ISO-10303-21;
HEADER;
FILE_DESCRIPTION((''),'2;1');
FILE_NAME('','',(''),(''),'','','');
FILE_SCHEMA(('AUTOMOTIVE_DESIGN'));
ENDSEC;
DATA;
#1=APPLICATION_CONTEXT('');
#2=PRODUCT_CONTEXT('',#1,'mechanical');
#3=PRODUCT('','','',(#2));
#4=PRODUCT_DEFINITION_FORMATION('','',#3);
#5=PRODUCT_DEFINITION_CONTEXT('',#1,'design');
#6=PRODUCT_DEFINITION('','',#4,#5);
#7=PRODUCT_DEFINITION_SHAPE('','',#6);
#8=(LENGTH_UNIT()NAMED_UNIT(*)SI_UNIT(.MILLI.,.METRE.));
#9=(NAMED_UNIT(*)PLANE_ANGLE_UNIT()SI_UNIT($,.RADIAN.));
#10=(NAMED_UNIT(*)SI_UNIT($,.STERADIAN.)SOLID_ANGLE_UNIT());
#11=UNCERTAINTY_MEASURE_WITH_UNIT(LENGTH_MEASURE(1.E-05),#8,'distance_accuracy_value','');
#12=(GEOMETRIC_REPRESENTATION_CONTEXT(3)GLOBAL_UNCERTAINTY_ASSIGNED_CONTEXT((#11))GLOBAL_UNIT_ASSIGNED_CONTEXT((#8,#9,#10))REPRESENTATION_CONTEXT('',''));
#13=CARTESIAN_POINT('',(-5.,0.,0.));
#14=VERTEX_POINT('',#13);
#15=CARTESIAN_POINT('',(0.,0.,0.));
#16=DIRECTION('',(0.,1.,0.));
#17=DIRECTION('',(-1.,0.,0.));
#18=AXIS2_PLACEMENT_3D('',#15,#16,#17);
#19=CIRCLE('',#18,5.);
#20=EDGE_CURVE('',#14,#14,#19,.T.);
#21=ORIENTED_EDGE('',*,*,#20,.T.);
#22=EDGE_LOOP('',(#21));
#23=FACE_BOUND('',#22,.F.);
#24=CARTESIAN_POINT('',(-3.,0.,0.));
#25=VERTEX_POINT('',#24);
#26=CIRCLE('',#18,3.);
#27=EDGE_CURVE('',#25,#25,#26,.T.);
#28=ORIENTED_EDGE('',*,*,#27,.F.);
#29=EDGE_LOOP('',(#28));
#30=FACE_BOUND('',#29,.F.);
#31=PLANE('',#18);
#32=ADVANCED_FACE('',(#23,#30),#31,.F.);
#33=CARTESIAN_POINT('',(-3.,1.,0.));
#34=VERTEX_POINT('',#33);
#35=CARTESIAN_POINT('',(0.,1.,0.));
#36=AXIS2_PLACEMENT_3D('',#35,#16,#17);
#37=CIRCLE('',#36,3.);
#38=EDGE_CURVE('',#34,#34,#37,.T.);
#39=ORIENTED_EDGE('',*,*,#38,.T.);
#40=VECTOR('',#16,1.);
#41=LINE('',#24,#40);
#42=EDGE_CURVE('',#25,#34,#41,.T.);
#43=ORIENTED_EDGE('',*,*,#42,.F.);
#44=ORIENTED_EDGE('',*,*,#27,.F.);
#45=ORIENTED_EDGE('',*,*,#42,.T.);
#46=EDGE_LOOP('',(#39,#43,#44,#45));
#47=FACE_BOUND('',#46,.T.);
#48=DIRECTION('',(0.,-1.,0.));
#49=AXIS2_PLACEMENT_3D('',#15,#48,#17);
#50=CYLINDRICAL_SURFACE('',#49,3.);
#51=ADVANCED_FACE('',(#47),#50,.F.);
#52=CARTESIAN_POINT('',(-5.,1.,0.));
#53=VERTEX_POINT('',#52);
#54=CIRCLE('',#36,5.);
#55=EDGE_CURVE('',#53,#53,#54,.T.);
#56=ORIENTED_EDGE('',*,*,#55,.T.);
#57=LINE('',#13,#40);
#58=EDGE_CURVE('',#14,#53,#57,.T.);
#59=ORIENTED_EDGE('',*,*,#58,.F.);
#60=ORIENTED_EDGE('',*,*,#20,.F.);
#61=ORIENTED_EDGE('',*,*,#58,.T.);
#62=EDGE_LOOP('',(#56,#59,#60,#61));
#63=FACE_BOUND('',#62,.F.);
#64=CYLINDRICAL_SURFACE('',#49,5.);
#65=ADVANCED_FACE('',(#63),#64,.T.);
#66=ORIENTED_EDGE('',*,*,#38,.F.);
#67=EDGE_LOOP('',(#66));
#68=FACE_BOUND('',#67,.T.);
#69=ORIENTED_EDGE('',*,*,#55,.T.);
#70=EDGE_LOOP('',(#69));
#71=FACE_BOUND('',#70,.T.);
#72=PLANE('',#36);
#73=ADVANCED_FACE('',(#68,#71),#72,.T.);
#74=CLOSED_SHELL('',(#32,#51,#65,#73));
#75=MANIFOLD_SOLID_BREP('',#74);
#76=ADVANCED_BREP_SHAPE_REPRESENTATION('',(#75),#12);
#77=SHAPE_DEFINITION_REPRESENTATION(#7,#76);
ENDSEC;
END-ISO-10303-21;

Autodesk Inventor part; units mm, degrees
ref_plane "YZ Plane" through (0, 0, 0) normal (1, 0, 0) x (0, 1, 0)
ref_plane "XZ Plane" through (0, 0, 0) normal (0, 1, 0) x (-1, 0, 0)
ref_plane "XY Plane" through (0, 0, 0) normal (0, 0, 1) x (1, 0, 0)
sketch "Sketch1" plane through (0, 0, 0) normal (0, 1, 0) x (-1, 0, 0)
  circle A0 centre (0, 0) radius 3
  circle A1 centre (0, 0) radius 5
  dimension "d0" = 6
  dimension "d1" = 10
extrude "Extrusion1" add sketch "Sketch1" along normal blind 1
properties part number "washer6mm" material "Stainless Steel"
